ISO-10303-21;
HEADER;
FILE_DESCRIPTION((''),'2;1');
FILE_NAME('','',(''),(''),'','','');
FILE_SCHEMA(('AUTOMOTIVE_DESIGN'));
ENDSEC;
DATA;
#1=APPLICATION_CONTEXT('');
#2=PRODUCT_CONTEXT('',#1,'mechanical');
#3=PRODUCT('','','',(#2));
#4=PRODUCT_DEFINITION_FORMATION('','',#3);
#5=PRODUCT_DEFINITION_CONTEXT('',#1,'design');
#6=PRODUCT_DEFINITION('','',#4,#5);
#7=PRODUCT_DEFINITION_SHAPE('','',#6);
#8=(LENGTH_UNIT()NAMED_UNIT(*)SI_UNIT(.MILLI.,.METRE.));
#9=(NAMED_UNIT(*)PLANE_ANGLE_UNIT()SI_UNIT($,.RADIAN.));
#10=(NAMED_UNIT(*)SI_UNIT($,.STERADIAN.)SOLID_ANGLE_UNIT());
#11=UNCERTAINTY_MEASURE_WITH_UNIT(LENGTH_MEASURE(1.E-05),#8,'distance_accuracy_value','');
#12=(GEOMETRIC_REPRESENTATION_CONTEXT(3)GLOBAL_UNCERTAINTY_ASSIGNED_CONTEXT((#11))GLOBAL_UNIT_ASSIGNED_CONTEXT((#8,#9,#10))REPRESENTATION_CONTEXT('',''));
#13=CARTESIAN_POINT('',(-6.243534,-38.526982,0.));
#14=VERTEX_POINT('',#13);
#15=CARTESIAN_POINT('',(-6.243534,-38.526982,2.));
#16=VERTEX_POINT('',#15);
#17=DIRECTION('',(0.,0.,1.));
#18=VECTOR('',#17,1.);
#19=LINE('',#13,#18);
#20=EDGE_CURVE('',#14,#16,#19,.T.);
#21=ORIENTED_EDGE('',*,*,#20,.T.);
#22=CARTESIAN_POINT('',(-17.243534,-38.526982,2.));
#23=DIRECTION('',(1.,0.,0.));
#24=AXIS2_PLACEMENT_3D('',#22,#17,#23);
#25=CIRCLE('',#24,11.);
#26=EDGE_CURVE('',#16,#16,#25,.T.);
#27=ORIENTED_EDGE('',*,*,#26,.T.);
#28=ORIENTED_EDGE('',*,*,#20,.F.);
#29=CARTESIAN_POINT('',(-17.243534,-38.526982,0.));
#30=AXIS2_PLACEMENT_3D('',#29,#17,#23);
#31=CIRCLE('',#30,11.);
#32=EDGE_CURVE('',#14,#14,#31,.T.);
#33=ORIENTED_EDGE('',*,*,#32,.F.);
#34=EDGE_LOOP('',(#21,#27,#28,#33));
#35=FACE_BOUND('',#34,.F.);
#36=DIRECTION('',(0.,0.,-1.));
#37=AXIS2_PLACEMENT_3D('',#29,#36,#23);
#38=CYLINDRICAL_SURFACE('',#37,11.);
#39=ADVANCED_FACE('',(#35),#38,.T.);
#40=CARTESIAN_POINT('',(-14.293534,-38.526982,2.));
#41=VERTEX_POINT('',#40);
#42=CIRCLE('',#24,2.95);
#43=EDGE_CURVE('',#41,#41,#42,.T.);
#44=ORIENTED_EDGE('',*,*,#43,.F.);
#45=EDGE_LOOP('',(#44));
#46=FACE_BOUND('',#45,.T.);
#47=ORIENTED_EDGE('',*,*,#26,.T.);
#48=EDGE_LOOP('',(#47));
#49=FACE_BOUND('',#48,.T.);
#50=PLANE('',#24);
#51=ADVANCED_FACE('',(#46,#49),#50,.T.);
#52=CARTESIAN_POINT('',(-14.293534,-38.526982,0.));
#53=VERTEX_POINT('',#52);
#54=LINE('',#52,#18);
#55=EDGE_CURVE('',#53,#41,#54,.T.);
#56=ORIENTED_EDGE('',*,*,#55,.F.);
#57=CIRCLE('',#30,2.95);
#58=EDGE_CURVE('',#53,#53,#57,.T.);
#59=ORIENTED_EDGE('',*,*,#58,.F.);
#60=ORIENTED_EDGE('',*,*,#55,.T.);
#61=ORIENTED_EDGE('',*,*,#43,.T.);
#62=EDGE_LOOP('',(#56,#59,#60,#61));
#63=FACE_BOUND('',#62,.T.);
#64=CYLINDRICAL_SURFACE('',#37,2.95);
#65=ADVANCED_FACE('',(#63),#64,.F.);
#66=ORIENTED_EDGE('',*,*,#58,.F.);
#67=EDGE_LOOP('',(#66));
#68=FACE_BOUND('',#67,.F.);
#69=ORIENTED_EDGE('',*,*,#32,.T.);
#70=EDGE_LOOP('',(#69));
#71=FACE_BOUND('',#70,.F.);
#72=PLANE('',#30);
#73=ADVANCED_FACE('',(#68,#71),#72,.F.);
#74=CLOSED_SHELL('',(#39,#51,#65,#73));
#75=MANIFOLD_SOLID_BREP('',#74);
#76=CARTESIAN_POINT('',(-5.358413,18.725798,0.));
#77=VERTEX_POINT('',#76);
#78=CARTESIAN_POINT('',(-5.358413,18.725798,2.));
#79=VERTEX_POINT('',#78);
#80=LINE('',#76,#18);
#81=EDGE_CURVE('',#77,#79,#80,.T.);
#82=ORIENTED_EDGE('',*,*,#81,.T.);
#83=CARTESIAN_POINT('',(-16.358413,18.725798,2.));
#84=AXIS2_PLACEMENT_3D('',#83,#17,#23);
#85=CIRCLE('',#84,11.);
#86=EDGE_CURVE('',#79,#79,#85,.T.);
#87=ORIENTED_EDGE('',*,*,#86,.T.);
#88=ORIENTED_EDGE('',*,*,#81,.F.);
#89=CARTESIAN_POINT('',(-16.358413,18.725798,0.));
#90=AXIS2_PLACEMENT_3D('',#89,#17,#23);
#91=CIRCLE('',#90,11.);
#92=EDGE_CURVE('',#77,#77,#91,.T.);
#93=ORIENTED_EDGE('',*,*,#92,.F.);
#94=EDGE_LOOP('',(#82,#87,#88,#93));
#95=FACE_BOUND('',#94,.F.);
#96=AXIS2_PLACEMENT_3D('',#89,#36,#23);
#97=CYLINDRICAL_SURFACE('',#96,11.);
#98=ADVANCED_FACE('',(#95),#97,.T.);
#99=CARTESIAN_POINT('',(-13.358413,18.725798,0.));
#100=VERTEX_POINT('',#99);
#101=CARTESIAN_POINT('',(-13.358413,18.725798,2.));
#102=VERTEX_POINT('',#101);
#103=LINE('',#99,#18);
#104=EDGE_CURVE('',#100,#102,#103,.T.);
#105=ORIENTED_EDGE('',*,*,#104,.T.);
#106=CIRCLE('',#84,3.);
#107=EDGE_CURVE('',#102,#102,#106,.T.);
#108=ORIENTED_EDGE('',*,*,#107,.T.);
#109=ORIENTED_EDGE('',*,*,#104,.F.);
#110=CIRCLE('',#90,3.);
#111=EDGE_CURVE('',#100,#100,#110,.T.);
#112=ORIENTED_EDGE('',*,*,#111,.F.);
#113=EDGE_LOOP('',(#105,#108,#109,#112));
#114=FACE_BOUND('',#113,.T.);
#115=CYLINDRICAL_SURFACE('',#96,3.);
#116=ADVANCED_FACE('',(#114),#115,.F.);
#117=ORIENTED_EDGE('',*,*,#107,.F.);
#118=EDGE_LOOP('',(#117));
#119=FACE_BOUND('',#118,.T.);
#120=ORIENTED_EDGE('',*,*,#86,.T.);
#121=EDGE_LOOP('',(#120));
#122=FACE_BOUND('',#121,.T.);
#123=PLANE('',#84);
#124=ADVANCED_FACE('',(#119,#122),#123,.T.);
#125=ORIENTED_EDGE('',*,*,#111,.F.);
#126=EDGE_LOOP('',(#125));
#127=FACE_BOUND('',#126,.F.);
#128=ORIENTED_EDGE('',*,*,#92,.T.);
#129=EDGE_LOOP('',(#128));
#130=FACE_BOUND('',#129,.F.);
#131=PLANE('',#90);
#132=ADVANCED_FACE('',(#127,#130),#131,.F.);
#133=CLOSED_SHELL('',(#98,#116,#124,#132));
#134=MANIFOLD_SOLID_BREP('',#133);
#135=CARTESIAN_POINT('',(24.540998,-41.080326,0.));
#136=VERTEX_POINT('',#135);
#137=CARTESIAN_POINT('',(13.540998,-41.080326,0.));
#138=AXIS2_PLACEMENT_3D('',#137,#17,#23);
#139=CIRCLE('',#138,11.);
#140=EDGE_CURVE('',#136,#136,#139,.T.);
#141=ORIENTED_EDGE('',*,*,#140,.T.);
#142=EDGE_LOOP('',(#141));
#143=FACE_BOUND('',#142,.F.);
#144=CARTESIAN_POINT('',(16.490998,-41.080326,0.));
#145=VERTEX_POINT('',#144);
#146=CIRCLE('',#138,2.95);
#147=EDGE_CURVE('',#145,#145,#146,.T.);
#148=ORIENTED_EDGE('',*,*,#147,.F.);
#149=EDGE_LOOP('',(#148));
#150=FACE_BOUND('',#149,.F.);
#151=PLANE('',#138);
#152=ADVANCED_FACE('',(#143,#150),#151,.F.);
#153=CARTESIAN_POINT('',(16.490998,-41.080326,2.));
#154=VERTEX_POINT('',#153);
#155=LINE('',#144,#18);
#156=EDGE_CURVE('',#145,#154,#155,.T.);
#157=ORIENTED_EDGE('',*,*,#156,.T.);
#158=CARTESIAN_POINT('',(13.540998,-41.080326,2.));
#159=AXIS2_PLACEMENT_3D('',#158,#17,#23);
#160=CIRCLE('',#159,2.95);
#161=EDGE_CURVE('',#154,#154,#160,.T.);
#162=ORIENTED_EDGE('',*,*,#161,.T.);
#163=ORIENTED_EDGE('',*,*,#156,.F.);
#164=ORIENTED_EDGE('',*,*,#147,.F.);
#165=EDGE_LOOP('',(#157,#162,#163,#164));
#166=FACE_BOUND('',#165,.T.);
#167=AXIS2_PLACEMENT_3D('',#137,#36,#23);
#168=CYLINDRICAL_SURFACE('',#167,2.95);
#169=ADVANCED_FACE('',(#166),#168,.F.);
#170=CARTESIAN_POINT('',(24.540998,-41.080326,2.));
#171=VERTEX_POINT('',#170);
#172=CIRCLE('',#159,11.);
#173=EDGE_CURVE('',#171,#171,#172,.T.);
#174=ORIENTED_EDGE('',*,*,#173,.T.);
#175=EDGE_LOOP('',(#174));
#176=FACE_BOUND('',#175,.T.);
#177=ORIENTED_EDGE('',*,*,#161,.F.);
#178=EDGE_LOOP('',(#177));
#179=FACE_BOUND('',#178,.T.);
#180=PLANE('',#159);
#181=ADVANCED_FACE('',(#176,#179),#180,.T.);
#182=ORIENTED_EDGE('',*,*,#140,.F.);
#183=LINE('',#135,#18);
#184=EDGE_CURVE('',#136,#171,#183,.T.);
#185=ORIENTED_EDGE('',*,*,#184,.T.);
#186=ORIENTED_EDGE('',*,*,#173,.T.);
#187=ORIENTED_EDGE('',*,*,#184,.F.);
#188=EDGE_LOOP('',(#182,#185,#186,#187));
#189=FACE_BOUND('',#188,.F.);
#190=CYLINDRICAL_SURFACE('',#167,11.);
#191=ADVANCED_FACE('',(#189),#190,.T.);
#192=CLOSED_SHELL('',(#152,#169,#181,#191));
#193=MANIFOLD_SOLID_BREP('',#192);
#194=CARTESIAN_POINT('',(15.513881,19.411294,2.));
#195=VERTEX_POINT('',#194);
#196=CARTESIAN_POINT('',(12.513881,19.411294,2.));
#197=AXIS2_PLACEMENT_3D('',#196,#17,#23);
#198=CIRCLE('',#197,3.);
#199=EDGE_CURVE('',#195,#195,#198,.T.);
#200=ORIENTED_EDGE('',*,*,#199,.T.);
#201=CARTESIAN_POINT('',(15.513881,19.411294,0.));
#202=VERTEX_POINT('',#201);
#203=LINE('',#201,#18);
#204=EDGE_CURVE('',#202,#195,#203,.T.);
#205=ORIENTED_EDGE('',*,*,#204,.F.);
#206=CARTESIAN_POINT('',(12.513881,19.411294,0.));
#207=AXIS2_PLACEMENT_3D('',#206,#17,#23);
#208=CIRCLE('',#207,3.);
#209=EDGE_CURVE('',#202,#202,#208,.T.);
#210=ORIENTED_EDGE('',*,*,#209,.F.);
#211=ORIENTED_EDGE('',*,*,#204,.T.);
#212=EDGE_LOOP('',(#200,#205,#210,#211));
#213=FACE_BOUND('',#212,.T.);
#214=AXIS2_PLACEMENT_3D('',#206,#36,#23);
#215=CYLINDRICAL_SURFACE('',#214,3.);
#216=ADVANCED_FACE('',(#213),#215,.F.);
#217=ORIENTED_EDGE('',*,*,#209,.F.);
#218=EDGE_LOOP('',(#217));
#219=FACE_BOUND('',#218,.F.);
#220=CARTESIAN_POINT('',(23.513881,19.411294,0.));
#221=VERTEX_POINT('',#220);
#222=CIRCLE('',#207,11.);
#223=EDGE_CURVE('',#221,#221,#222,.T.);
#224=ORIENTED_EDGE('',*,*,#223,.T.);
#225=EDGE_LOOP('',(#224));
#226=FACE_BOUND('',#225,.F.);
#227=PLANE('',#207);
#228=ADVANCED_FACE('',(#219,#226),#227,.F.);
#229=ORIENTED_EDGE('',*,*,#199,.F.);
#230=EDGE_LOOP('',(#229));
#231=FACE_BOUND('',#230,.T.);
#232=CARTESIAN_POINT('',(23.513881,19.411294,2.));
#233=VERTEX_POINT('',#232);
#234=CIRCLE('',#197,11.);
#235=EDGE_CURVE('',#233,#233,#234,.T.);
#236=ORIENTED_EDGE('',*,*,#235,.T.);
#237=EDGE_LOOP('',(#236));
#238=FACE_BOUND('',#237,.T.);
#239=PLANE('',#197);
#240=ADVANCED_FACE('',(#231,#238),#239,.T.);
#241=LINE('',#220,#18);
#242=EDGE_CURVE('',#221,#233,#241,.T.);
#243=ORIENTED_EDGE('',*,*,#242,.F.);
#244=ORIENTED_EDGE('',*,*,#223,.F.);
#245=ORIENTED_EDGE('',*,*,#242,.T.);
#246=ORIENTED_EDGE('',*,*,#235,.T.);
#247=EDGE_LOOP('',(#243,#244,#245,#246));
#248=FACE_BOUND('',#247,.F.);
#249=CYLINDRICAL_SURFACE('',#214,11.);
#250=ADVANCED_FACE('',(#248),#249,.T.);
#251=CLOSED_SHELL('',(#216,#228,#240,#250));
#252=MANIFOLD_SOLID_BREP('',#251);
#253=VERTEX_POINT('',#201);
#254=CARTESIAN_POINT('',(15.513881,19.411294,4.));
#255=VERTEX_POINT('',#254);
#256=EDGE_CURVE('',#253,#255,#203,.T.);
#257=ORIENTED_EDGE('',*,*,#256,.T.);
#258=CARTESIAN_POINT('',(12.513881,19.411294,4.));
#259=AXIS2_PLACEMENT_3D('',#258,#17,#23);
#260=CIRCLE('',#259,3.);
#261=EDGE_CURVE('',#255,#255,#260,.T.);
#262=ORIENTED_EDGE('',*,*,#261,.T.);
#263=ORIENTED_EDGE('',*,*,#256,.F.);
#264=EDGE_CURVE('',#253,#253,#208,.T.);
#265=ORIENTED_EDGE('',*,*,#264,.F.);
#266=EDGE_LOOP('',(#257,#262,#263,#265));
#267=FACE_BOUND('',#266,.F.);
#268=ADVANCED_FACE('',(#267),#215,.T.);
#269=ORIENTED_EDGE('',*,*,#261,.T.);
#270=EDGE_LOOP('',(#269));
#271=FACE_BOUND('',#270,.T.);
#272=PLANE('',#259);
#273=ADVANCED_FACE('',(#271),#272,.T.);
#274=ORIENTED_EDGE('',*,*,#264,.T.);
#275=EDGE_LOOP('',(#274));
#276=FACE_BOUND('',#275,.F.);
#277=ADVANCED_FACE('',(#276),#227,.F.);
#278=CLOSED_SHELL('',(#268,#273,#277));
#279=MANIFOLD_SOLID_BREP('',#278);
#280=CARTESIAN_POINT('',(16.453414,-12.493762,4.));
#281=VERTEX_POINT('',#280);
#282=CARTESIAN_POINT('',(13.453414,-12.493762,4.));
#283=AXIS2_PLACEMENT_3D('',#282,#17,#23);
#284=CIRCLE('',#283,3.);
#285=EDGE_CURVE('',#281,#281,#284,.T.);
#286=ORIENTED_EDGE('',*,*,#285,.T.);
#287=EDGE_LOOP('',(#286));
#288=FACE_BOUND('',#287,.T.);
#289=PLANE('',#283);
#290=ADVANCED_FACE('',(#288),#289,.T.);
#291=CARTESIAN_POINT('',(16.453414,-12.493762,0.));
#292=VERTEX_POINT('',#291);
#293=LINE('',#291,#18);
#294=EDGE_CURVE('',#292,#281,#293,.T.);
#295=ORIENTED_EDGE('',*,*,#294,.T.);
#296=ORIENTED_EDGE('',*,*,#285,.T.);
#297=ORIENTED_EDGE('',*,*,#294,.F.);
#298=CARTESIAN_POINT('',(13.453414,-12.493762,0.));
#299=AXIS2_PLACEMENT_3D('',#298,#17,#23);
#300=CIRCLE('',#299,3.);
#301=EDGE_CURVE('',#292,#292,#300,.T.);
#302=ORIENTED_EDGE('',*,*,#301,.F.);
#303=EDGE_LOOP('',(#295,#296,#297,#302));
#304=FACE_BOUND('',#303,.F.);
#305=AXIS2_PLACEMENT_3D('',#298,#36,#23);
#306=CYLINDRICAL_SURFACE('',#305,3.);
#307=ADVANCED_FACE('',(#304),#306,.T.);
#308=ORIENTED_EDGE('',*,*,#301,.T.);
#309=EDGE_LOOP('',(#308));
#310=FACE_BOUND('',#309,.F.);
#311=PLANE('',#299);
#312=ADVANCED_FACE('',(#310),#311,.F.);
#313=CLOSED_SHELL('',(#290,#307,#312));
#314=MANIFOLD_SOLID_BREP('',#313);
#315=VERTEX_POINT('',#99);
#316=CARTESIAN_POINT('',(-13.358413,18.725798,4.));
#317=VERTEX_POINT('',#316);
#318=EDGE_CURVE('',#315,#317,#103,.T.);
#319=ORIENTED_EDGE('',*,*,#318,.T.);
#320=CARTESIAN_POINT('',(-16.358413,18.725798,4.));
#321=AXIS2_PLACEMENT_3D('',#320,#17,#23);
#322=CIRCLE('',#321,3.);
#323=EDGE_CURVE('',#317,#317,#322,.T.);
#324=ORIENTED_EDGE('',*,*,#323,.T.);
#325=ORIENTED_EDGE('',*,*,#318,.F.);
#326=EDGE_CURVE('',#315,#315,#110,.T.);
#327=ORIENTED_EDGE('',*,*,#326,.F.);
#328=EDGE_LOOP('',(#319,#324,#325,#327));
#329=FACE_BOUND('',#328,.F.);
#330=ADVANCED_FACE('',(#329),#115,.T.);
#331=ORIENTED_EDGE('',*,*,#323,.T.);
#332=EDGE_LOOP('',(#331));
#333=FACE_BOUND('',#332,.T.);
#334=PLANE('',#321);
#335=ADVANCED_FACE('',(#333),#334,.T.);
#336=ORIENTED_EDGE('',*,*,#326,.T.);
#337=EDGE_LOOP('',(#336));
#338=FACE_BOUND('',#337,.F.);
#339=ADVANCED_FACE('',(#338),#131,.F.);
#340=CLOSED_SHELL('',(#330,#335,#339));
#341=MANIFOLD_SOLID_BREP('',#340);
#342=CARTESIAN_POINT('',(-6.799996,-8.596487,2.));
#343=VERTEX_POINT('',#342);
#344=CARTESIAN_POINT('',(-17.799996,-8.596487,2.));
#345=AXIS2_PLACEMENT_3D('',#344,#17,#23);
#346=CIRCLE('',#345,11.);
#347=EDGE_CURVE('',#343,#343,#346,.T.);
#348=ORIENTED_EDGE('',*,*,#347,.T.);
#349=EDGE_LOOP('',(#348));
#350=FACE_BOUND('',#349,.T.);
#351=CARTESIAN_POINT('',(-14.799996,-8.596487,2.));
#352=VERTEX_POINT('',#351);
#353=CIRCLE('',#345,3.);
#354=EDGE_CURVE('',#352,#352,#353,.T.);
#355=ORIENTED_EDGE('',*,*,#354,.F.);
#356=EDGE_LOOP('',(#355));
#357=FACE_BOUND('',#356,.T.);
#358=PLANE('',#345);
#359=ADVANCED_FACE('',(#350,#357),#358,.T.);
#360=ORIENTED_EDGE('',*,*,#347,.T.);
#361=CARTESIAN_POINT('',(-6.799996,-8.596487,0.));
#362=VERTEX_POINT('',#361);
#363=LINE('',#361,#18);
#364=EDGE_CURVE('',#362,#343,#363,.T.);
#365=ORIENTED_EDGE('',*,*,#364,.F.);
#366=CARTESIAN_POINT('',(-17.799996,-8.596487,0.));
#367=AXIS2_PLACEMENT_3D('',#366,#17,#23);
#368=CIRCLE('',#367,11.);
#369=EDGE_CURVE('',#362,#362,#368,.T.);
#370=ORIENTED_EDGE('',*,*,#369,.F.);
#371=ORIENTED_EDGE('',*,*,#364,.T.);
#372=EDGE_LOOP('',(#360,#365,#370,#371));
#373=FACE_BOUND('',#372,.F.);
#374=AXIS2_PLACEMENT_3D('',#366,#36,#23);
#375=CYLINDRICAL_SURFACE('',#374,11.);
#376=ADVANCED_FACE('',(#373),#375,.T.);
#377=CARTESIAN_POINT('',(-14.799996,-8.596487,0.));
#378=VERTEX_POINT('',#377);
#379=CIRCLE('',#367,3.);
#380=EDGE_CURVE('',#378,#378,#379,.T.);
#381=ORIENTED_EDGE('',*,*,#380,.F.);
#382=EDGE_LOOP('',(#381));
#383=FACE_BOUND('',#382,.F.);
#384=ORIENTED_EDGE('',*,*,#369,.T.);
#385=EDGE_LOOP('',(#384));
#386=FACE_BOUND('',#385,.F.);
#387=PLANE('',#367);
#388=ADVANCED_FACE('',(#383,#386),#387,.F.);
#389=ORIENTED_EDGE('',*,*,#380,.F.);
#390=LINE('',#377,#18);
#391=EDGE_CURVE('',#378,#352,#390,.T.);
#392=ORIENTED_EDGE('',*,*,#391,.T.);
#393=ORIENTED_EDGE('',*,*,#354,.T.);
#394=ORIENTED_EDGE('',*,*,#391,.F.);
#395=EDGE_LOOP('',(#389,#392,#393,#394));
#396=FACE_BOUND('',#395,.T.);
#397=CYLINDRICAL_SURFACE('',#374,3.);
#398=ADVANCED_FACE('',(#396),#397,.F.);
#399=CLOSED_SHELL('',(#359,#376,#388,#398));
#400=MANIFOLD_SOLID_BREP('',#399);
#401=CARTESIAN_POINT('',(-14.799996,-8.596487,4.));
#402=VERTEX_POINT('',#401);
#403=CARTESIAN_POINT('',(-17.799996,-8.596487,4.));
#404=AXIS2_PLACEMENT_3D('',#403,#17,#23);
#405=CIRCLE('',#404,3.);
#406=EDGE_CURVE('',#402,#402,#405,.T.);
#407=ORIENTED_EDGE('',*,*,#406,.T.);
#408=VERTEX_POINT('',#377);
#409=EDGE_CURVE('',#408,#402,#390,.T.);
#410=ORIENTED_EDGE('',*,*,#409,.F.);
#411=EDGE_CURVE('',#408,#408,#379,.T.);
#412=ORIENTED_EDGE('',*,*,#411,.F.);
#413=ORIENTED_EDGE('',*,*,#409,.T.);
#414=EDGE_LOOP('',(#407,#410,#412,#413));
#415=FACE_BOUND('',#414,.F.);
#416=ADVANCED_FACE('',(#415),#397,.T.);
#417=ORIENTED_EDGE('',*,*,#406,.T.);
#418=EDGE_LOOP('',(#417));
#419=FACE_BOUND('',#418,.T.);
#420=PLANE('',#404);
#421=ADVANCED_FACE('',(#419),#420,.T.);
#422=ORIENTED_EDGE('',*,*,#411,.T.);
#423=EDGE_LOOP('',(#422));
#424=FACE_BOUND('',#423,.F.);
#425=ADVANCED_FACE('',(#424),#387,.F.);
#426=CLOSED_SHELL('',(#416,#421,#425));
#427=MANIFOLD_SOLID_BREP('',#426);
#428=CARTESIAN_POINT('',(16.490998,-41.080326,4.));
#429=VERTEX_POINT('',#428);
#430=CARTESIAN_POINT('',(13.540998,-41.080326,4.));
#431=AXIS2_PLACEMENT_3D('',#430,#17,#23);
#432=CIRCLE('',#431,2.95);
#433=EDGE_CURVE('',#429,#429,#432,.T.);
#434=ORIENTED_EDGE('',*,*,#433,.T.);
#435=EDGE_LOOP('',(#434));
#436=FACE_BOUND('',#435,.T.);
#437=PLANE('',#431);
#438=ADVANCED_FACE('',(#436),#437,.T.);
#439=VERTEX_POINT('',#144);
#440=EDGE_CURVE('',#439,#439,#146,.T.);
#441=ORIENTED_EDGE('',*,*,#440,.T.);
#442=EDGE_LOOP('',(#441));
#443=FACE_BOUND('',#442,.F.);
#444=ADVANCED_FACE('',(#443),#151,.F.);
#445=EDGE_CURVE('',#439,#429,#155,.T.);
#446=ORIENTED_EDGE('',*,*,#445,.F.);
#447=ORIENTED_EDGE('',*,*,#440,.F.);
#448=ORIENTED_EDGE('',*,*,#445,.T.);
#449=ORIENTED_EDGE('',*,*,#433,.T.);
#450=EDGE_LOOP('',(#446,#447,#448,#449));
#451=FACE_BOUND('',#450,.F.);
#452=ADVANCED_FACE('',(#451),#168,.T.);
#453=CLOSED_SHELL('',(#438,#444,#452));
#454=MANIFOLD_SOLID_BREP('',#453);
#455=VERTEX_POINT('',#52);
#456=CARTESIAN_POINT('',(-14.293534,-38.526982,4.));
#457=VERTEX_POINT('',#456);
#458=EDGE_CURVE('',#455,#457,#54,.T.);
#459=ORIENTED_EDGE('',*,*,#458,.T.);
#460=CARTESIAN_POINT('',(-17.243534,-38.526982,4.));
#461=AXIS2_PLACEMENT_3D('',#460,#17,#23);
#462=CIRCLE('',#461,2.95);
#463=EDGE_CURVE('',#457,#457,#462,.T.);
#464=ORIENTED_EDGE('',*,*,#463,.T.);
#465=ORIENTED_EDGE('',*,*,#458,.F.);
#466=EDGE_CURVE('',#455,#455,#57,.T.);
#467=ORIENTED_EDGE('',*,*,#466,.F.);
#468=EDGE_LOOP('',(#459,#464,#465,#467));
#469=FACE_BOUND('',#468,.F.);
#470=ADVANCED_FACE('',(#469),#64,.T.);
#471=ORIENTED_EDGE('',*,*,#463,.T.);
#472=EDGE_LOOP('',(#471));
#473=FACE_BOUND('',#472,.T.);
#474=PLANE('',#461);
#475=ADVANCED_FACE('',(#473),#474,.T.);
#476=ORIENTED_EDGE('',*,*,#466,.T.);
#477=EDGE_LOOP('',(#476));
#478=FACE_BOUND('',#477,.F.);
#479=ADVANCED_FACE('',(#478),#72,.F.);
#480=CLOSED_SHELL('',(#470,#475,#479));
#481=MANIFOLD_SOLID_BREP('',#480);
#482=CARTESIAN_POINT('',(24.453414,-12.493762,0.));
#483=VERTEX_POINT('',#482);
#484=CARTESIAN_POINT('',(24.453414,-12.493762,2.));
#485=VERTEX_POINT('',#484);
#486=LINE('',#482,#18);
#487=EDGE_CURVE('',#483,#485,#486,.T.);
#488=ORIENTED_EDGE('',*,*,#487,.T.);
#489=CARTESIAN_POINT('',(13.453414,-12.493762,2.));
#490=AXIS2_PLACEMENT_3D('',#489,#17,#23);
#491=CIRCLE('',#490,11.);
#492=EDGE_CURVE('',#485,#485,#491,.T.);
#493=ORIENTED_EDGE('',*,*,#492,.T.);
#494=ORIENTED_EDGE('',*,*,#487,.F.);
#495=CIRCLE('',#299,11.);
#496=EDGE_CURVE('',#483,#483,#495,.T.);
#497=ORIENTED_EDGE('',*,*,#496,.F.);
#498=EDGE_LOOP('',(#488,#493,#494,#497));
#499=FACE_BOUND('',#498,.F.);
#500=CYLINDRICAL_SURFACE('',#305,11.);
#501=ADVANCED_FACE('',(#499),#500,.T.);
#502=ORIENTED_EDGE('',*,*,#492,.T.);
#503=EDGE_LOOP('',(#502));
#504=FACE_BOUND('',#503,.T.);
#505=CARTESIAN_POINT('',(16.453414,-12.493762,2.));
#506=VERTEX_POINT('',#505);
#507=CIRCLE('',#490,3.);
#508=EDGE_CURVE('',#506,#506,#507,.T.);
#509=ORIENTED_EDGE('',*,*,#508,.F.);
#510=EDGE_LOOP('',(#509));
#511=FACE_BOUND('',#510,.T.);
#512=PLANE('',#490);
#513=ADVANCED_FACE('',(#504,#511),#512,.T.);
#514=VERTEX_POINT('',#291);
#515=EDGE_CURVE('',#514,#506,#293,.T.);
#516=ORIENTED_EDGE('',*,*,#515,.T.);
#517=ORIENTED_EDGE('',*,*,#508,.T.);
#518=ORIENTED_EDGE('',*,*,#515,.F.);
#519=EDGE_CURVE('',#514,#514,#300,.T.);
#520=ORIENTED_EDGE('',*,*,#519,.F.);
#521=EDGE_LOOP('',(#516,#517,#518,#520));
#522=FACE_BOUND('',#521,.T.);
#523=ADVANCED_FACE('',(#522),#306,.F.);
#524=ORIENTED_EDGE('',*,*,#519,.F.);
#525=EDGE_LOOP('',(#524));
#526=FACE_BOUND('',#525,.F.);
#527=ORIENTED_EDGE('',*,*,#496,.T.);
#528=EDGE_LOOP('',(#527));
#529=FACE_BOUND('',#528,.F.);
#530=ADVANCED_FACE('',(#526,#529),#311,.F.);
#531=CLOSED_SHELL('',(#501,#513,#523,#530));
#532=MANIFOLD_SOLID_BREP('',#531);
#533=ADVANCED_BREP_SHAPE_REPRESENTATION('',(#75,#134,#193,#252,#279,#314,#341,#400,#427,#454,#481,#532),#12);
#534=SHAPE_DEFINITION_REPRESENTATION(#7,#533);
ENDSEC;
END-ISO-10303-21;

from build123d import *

# Parameters (mm, degrees)
F0_R     = 11
F0_R_2   = 3
F0_R_3   = 2.95
F1_DEPTH = 2
F2_DEPTH = 4


with BuildPart() as f1:
    # F0 (on Top) → F1 (new body)
    with BuildSketch(Plane.XY):
        with Locations((-16.358413, 18.725798)):
            Circle(F0_R)
        with Locations((-16.358413, 18.725798)):
            Circle(F0_R_2, mode=Mode.SUBTRACT)
        with Locations((12.513881, 19.411294)):
            Circle(F0_R)
        with Locations((12.513881, 19.411294)):
            Circle(F0_R_2, mode=Mode.SUBTRACT)
        with Locations((-17.799996, -8.596487)):
            Circle(F0_R)
        with Locations((-17.799996, -8.596487)):
            Circle(F0_R_2, mode=Mode.SUBTRACT)
        with Locations((13.453414, -12.493762)):
            Circle(F0_R)
        with Locations((13.453414, -12.493762)):
            Circle(F0_R_2, mode=Mode.SUBTRACT)
        with Locations((-17.243534, -38.526982)):
            Circle(F0_R)
        with Locations((-17.243534, -38.526982)):
            Circle(F0_R_3, mode=Mode.SUBTRACT)
        with Locations((13.540998, -41.080326)):
            Circle(F0_R)
        with Locations((13.540998, -41.080326)):
            Circle(F0_R_3, mode=Mode.SUBTRACT)
    extrude(amount=F1_DEPTH)


with BuildPart() as f2:
    # F0 (on Top) → F2 (new body)
    with BuildSketch(Plane.XY):
        with Locations((-16.358413, 18.725798)):
            Circle(F0_R_2)
        with Locations((12.513881, 19.411294)):
            Circle(F0_R_2)
        with Locations((-17.799996, -8.596487)):
            Circle(F0_R_2)
        with Locations((13.453414, -12.493762)):
            Circle(F0_R_2)
        with Locations((-17.243534, -38.526982)):
            Circle(F0_R_3)
        with Locations((13.540998, -41.080326)):
            Circle(F0_R_3)
    extrude(amount=F2_DEPTH)


solid = Compound([f1.part, f2.part])
